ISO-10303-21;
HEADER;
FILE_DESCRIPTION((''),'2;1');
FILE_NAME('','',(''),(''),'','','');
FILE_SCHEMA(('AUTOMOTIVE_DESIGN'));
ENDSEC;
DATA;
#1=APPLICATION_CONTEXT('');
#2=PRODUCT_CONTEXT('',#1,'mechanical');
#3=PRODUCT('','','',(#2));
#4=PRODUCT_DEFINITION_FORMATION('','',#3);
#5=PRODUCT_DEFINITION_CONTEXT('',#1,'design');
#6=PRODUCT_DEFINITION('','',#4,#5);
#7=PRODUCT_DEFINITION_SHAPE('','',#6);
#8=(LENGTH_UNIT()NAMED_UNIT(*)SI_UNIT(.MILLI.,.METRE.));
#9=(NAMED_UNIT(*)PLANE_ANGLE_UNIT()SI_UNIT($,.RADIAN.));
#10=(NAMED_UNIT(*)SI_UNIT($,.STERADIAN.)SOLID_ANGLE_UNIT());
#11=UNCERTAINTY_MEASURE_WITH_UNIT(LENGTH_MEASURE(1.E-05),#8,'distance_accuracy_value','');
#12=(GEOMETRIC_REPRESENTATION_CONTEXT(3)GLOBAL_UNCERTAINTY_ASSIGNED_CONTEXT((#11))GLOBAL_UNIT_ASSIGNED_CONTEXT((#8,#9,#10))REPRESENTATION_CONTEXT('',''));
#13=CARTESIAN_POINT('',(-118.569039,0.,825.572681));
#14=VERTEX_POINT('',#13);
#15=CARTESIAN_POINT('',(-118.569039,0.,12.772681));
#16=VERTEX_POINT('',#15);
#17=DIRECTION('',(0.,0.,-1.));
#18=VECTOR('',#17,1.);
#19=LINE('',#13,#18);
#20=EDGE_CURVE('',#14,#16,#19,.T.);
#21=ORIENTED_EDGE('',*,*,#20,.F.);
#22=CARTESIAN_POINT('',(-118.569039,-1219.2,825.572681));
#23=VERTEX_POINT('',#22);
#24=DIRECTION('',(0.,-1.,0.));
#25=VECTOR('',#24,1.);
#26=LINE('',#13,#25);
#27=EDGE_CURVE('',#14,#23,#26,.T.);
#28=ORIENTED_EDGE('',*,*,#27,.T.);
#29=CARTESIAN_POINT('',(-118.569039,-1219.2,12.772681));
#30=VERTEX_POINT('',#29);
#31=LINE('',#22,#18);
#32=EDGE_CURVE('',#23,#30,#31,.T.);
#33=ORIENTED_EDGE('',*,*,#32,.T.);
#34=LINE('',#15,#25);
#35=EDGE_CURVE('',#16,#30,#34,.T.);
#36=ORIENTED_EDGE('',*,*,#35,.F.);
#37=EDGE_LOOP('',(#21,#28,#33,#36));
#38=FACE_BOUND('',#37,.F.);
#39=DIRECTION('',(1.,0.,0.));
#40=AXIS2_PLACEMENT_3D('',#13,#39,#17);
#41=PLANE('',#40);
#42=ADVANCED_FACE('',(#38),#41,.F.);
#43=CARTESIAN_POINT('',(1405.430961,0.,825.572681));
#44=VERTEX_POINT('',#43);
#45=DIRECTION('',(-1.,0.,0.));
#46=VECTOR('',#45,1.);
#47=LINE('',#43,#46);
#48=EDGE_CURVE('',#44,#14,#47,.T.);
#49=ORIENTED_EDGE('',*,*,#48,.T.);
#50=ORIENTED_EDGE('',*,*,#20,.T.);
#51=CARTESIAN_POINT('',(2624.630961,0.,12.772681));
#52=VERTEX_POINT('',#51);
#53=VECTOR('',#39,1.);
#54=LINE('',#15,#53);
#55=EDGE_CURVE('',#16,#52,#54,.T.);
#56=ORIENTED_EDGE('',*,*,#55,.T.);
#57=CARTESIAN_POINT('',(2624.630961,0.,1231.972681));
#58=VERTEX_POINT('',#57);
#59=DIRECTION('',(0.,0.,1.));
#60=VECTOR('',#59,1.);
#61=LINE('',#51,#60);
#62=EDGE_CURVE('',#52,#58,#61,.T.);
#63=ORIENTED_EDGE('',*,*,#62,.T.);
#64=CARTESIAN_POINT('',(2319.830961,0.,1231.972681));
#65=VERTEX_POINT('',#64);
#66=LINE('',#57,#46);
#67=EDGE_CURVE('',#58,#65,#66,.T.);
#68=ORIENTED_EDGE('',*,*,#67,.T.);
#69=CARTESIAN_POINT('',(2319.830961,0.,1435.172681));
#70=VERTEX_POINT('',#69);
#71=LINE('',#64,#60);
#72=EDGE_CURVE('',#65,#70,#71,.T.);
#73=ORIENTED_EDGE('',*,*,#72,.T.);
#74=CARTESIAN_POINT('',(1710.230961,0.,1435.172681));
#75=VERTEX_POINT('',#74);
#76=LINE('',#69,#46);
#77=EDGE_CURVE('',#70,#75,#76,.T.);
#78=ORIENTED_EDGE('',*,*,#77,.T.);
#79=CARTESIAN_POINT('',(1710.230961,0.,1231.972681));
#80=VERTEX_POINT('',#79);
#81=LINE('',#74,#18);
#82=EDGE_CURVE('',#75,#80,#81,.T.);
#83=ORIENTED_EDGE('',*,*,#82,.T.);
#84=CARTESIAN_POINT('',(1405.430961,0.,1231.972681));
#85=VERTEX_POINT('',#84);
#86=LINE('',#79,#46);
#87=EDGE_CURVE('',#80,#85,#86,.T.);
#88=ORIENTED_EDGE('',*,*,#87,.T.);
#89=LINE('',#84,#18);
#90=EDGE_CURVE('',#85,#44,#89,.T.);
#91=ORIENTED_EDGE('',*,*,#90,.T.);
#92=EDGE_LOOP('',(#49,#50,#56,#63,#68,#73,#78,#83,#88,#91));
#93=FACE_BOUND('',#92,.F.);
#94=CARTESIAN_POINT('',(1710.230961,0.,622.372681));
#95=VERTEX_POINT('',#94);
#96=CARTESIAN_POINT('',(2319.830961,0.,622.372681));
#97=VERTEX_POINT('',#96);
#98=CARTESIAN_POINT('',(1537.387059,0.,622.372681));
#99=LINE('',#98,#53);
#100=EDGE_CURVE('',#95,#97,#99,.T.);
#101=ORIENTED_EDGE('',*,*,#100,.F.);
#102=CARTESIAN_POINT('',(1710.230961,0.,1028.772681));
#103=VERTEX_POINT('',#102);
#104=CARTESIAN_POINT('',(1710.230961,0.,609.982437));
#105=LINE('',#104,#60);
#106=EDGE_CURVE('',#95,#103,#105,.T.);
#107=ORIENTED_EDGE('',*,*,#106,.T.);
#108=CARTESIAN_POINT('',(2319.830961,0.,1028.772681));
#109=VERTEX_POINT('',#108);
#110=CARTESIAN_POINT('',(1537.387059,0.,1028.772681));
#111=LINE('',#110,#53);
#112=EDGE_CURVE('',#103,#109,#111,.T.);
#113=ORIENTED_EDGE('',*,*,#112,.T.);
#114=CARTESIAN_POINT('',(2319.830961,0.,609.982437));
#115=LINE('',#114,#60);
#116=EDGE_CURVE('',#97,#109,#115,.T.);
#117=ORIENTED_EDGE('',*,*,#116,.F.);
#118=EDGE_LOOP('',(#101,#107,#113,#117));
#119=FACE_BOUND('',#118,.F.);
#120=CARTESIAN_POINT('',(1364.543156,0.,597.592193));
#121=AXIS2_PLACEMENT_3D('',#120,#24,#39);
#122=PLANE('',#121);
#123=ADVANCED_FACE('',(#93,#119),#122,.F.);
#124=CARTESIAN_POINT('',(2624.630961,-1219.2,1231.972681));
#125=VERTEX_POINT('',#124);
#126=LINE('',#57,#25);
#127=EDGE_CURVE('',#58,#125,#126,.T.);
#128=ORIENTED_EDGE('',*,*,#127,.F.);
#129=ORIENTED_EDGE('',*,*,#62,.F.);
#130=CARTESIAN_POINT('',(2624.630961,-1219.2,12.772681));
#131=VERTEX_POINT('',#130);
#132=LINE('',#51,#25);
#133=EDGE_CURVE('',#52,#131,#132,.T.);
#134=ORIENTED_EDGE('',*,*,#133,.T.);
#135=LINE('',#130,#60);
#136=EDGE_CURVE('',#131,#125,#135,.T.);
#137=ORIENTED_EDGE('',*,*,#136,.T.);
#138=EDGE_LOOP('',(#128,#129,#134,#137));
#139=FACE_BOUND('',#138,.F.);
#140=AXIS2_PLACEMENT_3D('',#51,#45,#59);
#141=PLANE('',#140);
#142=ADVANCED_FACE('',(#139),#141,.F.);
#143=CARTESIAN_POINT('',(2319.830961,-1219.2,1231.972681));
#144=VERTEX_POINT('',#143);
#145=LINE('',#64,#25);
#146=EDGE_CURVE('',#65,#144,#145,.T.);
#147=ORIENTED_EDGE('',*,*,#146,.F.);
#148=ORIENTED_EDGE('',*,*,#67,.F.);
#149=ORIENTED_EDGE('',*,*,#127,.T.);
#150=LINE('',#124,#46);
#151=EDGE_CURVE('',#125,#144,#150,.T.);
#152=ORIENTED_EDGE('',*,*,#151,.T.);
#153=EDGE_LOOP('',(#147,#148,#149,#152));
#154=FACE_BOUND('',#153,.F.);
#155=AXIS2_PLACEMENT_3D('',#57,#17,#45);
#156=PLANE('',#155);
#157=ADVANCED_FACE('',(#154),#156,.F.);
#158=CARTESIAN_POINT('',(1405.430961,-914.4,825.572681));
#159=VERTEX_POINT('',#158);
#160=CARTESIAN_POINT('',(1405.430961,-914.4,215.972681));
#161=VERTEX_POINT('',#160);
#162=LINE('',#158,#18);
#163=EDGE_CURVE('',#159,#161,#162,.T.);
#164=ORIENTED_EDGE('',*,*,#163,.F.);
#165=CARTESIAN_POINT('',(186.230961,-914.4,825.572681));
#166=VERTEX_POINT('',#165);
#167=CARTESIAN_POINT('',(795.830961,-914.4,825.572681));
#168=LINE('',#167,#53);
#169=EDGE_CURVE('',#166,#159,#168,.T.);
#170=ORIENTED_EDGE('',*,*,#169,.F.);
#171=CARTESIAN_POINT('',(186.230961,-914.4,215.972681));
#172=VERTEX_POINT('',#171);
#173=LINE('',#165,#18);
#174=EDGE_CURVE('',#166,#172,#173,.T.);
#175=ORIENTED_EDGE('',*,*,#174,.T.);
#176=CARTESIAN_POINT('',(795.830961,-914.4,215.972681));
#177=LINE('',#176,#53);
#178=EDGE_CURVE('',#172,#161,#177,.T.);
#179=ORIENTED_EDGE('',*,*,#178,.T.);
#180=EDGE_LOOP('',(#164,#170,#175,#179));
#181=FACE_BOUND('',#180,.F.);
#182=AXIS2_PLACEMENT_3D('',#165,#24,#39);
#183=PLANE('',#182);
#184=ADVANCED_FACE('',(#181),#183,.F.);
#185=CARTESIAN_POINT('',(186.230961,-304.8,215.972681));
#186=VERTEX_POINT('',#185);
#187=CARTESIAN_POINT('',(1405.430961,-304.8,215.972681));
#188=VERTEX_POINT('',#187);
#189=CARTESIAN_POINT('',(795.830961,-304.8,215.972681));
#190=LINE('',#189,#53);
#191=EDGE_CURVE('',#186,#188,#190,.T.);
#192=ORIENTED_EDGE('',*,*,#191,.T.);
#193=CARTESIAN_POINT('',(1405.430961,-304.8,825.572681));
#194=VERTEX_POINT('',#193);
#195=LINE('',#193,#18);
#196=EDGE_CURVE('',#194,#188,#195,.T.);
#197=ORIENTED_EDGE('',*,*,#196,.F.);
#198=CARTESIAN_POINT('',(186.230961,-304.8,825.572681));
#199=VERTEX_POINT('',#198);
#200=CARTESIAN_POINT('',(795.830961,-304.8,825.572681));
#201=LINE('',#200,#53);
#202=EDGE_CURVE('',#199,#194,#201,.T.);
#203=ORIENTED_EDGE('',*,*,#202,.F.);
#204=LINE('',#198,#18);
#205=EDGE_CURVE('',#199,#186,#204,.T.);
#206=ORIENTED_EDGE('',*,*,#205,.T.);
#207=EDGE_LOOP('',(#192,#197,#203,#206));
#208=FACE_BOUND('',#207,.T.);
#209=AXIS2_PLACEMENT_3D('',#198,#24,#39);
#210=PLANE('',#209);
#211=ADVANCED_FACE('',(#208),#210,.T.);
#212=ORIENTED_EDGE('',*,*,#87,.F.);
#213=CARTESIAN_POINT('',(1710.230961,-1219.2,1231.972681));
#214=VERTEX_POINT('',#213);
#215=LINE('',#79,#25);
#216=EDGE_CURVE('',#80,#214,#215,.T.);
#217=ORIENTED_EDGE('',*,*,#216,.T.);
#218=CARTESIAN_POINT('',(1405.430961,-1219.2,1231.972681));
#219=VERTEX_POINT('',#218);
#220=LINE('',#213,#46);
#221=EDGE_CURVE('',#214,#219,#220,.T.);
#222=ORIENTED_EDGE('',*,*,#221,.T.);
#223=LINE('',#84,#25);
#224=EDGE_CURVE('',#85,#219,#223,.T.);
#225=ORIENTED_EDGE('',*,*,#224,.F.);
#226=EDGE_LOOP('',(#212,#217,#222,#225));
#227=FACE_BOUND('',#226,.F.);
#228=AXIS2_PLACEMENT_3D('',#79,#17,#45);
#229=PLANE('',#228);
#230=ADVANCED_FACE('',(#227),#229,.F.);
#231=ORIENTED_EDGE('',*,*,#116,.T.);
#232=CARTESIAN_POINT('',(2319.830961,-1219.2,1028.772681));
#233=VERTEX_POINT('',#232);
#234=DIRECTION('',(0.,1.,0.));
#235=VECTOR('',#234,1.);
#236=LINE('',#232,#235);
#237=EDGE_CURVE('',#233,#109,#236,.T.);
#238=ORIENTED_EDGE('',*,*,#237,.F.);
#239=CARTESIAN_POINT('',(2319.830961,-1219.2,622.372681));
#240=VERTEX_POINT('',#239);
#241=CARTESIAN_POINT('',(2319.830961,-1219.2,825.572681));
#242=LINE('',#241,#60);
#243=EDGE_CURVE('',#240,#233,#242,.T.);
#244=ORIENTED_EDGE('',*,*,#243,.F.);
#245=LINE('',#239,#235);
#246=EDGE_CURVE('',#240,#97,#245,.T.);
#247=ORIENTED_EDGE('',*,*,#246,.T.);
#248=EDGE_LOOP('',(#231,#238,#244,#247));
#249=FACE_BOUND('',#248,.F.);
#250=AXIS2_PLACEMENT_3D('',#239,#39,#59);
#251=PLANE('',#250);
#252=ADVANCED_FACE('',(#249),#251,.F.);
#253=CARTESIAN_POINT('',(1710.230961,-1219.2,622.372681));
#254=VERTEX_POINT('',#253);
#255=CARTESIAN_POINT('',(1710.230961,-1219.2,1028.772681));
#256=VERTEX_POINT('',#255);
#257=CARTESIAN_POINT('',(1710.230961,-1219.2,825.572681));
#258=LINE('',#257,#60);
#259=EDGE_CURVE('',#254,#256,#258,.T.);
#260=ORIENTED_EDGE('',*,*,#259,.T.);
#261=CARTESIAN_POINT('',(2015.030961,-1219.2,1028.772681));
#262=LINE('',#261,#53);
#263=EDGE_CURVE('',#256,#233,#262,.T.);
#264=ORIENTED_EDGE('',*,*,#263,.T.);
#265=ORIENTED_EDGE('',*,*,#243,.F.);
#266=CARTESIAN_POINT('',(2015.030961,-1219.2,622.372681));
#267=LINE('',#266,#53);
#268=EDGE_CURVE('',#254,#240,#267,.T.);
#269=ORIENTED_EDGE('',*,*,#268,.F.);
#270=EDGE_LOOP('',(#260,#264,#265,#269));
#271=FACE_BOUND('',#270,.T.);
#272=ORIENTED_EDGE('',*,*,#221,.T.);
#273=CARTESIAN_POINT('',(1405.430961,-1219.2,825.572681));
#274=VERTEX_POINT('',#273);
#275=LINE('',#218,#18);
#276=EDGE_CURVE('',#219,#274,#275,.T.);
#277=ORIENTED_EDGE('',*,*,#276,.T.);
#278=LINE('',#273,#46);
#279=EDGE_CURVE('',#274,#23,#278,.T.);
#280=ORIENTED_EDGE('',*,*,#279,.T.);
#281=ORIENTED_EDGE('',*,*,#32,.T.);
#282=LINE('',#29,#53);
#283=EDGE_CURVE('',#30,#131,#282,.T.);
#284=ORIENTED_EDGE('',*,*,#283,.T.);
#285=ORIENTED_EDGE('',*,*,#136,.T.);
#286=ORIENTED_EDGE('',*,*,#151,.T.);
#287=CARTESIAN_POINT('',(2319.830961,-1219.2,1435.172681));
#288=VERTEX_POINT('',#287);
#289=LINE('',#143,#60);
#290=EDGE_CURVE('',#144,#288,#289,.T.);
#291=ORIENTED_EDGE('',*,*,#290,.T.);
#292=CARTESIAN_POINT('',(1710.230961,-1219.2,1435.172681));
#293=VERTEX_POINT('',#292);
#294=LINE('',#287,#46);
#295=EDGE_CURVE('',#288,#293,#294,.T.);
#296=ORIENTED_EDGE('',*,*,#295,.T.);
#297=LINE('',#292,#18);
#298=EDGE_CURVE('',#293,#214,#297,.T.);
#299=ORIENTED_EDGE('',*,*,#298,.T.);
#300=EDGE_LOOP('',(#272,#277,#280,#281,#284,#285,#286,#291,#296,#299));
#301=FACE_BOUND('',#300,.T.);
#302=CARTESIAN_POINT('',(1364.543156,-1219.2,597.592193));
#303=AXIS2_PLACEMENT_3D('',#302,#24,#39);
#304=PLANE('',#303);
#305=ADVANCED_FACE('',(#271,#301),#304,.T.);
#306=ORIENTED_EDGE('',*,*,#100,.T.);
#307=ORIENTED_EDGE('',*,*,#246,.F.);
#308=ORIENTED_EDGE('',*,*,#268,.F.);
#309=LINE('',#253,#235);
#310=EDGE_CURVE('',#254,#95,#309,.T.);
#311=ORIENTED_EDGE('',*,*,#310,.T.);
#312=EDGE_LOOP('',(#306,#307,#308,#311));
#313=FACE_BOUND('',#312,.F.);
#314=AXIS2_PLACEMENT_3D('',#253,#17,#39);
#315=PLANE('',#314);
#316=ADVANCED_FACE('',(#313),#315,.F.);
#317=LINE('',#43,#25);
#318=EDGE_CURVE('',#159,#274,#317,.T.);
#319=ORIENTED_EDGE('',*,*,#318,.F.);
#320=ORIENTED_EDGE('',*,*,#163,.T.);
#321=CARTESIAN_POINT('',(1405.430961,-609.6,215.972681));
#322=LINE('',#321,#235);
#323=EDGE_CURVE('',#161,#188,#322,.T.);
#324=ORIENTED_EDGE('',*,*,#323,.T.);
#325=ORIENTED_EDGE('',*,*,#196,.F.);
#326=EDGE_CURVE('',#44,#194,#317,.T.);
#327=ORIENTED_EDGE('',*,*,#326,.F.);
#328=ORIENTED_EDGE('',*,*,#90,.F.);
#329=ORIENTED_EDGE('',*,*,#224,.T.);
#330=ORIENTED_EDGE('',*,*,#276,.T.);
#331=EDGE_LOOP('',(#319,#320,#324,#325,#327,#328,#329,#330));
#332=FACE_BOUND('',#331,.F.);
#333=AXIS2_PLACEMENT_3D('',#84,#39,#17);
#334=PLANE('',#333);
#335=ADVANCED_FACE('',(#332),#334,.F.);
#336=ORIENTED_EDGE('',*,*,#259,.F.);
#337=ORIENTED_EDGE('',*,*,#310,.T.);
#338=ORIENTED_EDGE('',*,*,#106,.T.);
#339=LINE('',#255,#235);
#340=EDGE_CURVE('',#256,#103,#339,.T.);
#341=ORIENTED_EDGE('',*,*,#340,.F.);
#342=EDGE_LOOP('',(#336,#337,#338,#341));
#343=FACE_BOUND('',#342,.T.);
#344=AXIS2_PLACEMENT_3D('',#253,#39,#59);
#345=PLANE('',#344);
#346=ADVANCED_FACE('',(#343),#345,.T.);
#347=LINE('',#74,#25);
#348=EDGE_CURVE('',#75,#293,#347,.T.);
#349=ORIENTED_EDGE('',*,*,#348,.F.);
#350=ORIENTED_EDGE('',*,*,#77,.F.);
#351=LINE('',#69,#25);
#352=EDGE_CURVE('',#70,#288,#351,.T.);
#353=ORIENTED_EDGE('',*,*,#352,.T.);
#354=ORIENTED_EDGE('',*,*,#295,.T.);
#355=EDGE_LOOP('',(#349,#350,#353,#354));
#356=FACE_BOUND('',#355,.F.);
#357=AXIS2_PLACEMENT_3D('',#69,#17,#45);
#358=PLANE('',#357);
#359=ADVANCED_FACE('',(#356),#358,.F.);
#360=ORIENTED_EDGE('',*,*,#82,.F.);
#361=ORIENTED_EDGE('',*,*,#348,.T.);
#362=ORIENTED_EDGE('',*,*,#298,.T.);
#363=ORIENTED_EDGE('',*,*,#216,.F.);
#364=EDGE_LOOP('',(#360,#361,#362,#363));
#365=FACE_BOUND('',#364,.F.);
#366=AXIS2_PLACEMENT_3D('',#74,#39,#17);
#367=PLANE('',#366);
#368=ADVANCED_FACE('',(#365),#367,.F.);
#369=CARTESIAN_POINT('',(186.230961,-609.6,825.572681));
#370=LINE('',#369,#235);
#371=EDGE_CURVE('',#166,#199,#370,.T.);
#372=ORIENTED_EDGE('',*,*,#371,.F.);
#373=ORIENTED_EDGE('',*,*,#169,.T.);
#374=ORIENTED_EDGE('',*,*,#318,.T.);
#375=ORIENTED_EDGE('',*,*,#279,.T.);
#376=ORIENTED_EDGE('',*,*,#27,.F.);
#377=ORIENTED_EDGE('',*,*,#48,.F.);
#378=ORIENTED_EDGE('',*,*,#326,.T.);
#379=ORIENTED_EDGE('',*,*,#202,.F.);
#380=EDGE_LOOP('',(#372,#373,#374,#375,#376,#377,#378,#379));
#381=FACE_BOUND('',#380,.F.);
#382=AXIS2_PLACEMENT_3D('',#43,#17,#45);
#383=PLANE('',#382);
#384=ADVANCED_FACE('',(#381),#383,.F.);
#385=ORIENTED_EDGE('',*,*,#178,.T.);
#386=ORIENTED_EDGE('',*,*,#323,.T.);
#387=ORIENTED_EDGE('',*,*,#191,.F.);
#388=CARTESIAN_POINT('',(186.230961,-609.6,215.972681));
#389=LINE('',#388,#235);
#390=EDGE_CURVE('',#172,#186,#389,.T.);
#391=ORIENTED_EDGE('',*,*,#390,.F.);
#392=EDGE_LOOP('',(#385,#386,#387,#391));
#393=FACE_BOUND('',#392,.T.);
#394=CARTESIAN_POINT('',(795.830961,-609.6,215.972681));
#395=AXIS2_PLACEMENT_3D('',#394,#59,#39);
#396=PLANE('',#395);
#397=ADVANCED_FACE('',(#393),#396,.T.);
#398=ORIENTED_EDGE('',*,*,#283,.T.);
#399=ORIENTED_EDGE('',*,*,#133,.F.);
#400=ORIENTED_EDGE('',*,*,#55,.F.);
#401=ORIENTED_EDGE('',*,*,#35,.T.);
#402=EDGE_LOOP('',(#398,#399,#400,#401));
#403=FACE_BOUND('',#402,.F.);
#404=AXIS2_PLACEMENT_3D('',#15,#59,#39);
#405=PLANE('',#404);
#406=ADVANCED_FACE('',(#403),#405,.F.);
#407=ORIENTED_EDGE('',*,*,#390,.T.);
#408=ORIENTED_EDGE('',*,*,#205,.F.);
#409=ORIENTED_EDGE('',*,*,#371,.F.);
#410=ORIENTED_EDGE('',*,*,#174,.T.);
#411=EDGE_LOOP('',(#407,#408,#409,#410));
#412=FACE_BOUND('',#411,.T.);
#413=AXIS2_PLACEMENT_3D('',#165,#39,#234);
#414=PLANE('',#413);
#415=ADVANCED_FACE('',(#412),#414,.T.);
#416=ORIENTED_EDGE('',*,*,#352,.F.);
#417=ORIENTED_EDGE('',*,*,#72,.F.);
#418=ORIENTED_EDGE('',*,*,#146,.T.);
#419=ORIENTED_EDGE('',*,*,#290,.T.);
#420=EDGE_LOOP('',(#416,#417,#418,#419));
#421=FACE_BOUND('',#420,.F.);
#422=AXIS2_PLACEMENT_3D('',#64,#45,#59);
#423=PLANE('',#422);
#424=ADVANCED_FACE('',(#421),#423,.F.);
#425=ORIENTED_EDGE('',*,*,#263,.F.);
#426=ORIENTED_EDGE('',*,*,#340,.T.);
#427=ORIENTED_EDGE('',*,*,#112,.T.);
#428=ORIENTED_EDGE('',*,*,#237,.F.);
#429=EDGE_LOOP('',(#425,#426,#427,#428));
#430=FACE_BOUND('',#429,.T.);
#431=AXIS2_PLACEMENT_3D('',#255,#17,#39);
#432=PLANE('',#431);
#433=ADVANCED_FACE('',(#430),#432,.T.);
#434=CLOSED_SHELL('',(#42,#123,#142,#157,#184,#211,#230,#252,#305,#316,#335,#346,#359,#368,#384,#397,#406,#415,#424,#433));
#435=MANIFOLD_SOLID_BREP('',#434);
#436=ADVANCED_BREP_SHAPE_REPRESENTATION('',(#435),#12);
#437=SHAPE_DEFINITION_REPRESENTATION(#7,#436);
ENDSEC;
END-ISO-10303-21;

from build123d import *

# Parameters (mm, degrees)
F1_DEPTH = 1219.2
F2_W     = 609.6
F2_H     = 406.4
F3_DEPTH = 1219.201
F4_W     = 1219.2
F4_H     = 609.6
F5_DEPTH = 609.6


with BuildPart() as f1:
    # F0 (on Front) → F1 (new body)
    with BuildSketch(Plane.XZ):
        Polygon((-118.569039, 825.572681), (-118.569039, 12.772681), (2624.630961, 12.772681), (2624.630961, 1231.972681), (2319.830961, 1231.972681), (2319.830961, 1435.172681), (1710.230961, 1435.172681), (1710.230961, 1231.972681), (1405.430961, 1231.972681), (1405.430961, 825.572681), align=None)
    extrude(amount=F1_DEPTH)

    # F2 (on face) → F3 (cut, through all)
    with BuildSketch(Plane.XZ.offset(1219.2)):
        with Locations((2015.030961, 825.572681)):
            Rectangle(F2_W, F2_H)
    extrude(amount=-F3_DEPTH, mode=Mode.SUBTRACT)

    # F4 (on face) → F5 (cut)
    with BuildSketch(Plane.XY.offset(825.572681)):
        with Locations((795.830961, -609.6)):
            Rectangle(F4_W, F4_H)
    extrude(amount=-F5_DEPTH, mode=Mode.SUBTRACT)


solid = f1.part
